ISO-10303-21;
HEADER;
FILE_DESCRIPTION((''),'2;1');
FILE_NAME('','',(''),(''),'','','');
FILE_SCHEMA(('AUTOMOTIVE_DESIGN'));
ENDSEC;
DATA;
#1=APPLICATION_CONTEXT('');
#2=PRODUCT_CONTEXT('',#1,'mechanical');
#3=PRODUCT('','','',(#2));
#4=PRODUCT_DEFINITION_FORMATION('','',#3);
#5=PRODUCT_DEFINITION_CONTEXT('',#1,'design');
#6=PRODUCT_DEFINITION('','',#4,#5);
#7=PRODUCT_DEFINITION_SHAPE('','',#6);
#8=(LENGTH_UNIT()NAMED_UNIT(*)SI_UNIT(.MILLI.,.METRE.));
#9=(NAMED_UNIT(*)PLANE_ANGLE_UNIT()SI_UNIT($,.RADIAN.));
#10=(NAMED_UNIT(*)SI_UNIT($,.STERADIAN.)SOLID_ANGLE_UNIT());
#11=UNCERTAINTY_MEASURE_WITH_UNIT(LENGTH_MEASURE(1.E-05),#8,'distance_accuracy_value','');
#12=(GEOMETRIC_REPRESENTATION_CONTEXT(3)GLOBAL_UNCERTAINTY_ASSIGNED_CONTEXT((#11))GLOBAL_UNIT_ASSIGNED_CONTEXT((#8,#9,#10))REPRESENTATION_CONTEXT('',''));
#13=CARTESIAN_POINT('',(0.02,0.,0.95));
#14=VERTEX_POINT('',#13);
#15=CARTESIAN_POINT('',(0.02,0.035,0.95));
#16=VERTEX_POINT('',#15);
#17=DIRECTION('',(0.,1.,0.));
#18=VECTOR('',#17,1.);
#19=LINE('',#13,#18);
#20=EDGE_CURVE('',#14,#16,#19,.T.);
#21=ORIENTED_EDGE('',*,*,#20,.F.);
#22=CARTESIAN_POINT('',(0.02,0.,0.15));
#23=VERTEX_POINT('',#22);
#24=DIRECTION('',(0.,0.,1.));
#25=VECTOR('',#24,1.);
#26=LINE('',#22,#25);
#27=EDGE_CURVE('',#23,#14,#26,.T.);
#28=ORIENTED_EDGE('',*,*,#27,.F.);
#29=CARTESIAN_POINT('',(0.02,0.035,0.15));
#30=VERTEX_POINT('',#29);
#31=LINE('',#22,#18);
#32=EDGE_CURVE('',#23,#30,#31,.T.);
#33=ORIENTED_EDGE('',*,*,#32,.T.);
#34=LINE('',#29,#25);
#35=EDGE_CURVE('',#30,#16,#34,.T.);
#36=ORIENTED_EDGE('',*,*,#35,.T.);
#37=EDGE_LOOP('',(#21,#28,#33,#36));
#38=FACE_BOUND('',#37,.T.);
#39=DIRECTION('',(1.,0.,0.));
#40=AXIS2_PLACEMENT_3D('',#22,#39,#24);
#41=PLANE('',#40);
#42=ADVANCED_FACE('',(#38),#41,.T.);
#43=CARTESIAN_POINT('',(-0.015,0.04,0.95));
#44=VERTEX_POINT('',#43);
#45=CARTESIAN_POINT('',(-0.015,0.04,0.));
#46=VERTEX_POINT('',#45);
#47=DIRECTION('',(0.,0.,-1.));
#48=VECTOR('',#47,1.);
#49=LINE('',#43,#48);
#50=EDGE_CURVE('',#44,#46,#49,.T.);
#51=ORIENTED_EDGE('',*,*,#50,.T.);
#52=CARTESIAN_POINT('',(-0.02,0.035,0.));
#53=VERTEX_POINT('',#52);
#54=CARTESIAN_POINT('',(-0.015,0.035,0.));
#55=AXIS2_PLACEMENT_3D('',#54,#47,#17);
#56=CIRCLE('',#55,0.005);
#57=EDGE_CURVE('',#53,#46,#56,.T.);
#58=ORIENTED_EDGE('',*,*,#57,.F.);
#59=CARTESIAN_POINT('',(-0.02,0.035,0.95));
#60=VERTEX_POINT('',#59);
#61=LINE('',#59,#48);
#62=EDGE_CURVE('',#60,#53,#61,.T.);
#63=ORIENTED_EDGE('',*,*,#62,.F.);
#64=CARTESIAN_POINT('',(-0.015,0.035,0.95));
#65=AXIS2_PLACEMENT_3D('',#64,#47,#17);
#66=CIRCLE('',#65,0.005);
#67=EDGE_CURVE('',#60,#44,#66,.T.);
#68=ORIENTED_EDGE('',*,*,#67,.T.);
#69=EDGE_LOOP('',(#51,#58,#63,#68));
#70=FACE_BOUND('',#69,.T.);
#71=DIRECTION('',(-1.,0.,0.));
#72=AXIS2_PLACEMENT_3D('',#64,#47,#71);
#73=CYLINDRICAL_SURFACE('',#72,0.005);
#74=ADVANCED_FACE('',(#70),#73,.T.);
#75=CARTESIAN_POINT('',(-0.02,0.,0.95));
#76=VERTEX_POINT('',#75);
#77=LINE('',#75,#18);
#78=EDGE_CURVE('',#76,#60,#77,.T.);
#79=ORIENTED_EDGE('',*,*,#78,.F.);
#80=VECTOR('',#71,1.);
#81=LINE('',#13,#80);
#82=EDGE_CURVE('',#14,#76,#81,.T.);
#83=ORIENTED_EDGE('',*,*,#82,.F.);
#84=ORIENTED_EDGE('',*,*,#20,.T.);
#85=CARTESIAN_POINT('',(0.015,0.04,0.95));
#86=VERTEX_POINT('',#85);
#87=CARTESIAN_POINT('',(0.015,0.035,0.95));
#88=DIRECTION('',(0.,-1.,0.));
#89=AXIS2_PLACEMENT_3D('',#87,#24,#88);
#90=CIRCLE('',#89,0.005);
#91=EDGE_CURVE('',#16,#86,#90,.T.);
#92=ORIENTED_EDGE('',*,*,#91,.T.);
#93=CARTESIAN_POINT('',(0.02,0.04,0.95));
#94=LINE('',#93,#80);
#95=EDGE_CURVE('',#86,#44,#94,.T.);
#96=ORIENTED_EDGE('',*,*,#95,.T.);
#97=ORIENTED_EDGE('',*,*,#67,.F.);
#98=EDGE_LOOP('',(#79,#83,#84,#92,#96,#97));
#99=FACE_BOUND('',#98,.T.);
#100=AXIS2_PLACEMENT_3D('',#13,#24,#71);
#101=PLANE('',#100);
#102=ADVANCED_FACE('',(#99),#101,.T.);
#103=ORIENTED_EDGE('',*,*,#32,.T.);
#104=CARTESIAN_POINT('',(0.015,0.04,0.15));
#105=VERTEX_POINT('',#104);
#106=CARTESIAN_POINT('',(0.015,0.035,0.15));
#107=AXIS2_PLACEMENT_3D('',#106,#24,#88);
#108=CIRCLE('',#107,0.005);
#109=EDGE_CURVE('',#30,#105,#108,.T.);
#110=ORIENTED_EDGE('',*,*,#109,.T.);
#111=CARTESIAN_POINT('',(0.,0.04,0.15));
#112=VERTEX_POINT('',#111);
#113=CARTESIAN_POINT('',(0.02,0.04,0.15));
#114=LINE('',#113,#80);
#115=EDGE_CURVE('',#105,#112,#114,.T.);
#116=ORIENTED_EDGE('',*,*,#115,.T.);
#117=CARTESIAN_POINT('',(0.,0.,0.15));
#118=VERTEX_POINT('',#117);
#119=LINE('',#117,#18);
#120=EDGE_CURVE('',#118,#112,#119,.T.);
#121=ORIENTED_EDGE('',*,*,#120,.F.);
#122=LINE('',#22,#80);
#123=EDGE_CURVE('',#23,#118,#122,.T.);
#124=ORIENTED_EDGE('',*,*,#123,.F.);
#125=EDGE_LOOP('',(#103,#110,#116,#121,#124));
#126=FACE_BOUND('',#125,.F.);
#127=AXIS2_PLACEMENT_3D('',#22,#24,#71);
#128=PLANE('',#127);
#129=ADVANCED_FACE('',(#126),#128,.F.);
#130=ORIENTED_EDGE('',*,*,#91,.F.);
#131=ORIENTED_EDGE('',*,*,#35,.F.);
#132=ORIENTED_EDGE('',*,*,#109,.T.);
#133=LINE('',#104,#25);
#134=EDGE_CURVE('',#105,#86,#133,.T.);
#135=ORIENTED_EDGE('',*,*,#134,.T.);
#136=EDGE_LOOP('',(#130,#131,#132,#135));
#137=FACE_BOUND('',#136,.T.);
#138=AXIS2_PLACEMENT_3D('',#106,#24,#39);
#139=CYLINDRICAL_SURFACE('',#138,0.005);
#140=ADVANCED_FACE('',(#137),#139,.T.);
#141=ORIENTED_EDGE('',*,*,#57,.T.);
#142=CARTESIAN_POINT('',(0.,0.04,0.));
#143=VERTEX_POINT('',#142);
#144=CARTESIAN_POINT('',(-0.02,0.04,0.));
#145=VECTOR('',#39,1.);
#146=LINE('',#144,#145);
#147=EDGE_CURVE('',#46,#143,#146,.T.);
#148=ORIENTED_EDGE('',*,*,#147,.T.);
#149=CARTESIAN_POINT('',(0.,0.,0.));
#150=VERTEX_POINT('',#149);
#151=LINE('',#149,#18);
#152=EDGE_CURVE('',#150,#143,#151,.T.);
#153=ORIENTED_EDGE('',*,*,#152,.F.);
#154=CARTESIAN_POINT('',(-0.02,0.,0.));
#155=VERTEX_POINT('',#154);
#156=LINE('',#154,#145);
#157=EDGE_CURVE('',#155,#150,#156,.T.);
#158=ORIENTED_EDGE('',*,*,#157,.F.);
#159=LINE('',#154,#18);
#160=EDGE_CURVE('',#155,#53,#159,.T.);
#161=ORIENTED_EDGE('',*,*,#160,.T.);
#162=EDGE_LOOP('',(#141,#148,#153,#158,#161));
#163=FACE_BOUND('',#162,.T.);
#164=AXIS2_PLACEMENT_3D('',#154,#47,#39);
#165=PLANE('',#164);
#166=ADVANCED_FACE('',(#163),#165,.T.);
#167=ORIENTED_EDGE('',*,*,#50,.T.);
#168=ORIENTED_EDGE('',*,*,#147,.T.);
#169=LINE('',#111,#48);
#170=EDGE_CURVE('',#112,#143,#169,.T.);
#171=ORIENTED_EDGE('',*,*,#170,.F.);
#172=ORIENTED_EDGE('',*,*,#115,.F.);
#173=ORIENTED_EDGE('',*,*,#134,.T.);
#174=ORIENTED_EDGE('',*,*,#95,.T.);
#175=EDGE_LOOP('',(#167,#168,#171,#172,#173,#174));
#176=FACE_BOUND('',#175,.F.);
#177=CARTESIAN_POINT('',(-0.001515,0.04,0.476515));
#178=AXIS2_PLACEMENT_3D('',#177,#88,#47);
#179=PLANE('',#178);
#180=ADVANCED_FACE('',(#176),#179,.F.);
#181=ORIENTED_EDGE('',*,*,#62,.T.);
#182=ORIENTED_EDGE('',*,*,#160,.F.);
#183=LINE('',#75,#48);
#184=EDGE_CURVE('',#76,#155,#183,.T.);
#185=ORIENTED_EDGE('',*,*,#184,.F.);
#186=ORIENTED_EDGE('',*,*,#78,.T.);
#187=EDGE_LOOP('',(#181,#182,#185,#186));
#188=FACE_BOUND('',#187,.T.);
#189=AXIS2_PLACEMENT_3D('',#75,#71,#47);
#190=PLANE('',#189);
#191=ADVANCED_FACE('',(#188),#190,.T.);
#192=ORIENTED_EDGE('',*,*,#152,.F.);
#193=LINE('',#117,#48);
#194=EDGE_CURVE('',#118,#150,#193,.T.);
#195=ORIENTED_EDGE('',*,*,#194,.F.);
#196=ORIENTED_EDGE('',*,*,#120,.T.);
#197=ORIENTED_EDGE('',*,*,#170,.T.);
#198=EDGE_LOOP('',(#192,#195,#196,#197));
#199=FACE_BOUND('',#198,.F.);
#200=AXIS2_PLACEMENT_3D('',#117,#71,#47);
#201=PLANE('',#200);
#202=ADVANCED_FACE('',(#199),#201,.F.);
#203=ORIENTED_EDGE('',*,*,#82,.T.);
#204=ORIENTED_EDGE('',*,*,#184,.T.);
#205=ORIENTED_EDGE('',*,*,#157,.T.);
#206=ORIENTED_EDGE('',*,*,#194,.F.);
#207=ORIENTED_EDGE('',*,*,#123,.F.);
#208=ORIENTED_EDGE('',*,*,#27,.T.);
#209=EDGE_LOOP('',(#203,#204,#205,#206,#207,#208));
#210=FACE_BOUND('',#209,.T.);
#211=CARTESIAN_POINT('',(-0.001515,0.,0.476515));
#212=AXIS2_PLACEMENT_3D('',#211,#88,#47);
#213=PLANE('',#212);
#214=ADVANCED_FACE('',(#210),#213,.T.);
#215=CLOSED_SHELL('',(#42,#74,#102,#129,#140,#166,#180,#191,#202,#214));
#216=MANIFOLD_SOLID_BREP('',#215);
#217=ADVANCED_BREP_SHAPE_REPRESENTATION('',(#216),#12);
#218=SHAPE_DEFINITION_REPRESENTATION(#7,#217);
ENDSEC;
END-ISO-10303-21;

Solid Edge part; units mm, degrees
sketch "Sketch1" plane through (0, 0, 0) normal (0, -1, 0) x (1, 0, 0)
  line L0 (-0.02, 0) -> (0, 0)
  line L1 (0, 0.15) -> (0, 0)
  line L2 (0.02, 0.15) -> (0, 0.15)
  line L3 (0.02, 0.15) -> (0.02, 0.95)
  line L4 (0.02, 0.95) -> (-0.02, 0.95)
  line L5 (-0.02, 0.95) -> (-0.02, 0)
  dimension "D1" = 0.95
  dimension "D2" = 0.04
  dimension "D3" = 0.15
extrude "Protrusion1" add sketch "Sketch1" against normal blind 0.04
fillet "Verrundung_1" radius 0.005 2 edges at (-0.02, 0.04, 0.475) (0.02, 0.04, 0.55)
